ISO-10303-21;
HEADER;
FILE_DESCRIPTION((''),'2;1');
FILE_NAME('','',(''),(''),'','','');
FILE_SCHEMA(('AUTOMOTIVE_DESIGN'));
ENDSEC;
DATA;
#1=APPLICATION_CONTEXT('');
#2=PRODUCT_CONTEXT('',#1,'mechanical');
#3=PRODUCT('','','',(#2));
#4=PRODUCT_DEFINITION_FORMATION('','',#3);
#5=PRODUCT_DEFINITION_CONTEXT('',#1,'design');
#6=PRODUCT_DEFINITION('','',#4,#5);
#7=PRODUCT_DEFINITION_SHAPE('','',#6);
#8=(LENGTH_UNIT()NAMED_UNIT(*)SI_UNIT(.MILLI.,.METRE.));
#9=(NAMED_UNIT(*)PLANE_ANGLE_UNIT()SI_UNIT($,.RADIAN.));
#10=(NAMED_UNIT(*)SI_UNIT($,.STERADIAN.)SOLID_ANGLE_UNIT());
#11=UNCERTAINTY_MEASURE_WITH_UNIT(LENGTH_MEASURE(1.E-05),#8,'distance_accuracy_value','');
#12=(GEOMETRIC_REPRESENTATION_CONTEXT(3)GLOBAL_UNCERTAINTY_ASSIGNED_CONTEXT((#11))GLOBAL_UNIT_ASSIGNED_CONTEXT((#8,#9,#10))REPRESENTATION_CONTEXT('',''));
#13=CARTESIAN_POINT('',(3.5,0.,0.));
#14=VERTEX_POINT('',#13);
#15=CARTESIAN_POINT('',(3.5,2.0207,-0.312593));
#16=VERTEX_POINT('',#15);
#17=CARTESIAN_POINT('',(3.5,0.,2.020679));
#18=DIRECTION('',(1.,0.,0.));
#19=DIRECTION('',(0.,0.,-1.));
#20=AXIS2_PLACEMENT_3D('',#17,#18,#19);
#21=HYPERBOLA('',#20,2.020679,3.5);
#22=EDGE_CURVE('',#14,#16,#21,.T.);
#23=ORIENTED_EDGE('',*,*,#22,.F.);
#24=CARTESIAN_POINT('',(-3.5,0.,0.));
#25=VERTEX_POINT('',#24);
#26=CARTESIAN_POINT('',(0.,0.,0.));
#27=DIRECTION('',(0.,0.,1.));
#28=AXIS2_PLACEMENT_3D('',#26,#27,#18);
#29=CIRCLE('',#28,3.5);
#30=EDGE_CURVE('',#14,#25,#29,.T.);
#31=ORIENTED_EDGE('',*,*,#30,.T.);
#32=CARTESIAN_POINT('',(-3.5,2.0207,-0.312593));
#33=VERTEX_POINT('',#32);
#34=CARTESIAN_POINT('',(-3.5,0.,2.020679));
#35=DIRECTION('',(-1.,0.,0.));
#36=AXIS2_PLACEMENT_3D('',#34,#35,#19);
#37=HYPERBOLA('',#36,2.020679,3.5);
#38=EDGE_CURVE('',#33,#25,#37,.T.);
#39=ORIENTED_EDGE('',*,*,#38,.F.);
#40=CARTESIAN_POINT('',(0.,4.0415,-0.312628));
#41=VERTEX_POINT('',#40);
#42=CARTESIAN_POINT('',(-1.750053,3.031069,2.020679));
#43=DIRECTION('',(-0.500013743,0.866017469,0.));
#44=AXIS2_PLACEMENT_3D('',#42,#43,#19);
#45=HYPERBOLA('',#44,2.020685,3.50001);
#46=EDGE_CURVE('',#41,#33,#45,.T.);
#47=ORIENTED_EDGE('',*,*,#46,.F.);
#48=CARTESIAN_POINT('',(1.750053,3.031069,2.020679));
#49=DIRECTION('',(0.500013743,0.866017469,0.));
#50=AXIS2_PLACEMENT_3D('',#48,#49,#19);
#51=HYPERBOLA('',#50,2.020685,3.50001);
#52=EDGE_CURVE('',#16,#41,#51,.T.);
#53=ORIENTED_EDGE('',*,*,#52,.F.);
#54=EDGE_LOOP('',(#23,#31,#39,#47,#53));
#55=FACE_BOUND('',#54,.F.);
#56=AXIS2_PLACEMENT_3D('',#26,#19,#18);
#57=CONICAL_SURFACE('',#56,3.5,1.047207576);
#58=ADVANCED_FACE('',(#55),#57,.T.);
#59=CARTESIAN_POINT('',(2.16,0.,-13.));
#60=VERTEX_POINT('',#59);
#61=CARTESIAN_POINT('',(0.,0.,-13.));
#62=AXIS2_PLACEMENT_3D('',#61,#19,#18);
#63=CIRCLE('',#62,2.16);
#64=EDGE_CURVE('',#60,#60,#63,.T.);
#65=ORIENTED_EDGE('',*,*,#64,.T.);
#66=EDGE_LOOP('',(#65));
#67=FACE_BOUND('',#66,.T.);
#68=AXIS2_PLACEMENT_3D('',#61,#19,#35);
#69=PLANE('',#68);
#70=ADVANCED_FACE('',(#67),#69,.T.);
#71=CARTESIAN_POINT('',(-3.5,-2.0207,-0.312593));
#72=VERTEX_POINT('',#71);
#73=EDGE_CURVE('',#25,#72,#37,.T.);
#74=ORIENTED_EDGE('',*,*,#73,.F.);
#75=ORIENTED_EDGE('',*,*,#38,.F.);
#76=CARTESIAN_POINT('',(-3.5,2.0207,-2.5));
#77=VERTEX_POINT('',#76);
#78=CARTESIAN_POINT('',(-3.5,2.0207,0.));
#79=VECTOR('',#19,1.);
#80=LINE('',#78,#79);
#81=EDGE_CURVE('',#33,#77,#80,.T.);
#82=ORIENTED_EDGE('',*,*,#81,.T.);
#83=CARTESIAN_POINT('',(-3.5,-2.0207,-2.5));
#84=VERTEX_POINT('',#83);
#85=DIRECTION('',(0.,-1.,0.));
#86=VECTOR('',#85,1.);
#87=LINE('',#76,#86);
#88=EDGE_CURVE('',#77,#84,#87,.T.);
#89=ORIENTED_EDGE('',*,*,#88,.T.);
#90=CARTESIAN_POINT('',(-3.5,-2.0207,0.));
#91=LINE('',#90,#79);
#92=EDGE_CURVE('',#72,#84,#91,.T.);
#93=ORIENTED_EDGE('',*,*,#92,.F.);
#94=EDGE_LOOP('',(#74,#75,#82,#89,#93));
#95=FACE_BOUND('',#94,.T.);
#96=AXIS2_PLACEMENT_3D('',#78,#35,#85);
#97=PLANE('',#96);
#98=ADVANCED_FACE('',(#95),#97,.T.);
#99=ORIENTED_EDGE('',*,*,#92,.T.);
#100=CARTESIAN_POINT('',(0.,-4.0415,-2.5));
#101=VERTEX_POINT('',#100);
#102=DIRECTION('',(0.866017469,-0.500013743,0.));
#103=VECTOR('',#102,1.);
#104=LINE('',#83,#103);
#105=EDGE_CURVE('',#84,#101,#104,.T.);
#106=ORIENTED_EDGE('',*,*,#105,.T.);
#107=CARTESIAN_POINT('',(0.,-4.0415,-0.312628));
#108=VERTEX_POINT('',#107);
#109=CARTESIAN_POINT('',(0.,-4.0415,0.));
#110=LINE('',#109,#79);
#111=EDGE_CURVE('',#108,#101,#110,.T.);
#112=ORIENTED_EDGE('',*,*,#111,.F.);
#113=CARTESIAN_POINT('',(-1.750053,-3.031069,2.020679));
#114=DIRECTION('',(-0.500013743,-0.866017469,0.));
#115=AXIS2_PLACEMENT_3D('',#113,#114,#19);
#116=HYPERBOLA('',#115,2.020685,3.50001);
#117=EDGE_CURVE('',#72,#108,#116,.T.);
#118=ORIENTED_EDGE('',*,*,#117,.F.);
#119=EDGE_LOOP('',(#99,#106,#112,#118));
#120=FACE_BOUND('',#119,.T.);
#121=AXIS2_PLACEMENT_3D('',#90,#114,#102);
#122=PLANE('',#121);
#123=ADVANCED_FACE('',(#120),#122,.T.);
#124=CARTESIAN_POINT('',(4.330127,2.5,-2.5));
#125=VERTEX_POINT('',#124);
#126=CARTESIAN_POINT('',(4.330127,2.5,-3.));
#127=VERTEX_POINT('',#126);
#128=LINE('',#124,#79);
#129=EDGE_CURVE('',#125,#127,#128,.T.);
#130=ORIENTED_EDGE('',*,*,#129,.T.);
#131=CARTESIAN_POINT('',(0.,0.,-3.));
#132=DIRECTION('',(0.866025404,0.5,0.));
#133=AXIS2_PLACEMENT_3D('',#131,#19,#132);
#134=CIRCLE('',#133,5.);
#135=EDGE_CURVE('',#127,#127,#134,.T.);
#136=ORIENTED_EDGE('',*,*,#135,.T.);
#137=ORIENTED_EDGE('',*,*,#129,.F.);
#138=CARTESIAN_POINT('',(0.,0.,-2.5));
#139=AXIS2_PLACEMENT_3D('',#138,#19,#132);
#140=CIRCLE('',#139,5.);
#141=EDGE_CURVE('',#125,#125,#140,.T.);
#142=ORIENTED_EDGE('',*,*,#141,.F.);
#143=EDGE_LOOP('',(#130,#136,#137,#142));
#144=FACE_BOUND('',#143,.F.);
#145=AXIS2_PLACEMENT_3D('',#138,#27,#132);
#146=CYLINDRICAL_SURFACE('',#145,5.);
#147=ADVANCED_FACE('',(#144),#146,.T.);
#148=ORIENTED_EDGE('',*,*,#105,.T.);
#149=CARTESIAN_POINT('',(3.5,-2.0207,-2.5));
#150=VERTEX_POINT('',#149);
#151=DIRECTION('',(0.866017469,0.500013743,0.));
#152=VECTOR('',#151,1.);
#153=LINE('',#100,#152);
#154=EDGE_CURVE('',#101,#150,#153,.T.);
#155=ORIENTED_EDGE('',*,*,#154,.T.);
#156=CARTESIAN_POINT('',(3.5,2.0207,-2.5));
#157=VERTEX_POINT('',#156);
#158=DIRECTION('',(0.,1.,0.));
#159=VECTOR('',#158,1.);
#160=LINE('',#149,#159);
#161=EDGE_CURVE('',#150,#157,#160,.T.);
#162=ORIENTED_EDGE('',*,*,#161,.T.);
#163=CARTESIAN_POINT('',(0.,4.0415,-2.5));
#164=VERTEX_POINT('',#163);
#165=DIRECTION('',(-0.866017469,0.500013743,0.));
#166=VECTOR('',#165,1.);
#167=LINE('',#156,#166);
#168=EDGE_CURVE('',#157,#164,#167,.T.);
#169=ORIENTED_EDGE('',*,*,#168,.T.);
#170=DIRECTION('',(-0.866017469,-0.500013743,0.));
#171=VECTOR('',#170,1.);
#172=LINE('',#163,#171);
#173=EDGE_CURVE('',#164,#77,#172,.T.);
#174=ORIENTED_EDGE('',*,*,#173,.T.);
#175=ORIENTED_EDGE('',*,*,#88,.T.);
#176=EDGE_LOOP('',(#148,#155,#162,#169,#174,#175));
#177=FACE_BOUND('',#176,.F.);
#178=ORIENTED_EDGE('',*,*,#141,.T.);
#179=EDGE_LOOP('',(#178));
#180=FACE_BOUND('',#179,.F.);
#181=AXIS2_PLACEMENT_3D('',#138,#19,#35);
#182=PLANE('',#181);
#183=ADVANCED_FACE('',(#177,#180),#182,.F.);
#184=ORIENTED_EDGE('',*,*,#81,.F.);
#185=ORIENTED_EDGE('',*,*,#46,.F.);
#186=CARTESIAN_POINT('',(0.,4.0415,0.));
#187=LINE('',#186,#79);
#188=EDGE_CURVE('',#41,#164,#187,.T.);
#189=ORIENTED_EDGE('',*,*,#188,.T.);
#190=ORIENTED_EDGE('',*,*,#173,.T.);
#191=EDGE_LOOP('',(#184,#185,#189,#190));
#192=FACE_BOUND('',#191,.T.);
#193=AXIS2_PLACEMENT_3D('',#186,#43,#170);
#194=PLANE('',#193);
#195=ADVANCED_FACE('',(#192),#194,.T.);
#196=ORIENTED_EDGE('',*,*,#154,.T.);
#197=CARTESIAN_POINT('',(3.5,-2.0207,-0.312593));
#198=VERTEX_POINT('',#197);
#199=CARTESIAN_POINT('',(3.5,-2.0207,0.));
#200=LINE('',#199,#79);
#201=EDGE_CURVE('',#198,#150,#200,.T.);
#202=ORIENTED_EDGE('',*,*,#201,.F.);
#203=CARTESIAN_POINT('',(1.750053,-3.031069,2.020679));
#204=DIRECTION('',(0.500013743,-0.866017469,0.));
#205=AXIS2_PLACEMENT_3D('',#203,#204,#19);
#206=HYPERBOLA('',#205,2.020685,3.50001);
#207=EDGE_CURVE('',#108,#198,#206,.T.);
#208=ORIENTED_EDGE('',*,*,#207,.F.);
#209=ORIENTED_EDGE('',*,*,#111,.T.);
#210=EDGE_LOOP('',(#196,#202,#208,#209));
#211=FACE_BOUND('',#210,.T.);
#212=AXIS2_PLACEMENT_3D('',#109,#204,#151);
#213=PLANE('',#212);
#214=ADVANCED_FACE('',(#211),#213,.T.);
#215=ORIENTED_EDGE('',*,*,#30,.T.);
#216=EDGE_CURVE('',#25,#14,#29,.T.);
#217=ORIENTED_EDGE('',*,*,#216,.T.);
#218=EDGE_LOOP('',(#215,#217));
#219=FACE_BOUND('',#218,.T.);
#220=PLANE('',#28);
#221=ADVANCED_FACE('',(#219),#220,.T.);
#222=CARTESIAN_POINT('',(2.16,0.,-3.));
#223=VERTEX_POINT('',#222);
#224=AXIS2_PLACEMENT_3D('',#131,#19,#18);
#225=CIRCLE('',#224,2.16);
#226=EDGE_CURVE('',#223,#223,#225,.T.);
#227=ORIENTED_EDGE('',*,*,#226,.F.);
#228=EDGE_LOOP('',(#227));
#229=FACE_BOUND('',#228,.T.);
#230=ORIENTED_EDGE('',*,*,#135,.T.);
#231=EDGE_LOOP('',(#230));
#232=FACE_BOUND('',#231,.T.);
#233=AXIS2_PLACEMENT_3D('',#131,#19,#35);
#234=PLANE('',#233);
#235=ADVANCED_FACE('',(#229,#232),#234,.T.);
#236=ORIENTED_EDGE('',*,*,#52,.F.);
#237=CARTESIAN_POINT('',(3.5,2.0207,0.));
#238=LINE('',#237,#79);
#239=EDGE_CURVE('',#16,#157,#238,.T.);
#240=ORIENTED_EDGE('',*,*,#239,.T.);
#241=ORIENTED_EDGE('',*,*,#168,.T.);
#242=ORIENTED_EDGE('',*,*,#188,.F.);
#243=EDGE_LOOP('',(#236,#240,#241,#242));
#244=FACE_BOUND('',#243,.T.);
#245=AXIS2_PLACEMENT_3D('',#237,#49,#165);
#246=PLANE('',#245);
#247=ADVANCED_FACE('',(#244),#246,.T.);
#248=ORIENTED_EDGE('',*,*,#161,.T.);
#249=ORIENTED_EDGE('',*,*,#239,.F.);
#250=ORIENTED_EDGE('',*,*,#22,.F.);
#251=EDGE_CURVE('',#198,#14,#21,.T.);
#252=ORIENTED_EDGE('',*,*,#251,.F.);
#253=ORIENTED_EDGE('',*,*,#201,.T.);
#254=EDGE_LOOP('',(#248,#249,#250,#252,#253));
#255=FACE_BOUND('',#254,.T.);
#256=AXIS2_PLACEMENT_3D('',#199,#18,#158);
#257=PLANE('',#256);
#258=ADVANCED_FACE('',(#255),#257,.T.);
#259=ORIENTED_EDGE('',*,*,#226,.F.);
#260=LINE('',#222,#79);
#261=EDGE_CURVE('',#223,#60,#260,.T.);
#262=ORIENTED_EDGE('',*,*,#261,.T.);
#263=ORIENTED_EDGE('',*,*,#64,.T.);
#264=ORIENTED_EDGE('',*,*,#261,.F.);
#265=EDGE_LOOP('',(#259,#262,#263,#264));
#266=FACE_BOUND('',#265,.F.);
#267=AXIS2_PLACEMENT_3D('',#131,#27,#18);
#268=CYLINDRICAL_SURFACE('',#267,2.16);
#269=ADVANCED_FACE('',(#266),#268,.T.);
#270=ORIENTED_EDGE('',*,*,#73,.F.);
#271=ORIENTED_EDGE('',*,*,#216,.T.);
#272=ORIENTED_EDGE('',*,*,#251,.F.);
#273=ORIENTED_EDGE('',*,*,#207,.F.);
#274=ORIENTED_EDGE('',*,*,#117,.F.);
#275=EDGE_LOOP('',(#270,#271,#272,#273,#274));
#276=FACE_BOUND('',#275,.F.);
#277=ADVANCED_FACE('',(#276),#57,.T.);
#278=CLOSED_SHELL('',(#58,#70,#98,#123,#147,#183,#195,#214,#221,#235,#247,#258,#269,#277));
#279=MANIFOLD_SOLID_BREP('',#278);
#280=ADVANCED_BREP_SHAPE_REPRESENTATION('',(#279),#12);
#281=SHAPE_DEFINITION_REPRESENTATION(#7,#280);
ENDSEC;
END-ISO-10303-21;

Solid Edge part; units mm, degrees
sketch "Sketch1" plane through (0, 0, 0) normal (0, 0, 1) x (1, 0, 0)
  line L0 (-3.5, -2.0207) -> (0, -4.0415)
  line L1 (0, -4.0415) -> (3.5, -2.0207)
  line L2 (3.5, -2.0207) -> (3.5, 2.0207)
  line L3 (3.5, 2.0207) -> (0, 4.0415)
  line L4 (0, 4.0415) -> (-3.5, 2.0207)
  line L5 (-3.5, 2.0207) -> (-3.5, -2.0207)
extrude "Protrusion1" add sketch "Sketch1" against normal blind 2.5
sketch "Sketch2" plane through (0, 0, 0) normal (0, -1, 0) x (1, 0, 0)
  line L0 (5.4053, -1.1) -> (5.2199, 0)
  line L1 (5.2199, 0) -> (3.5, 0)
  line L2 (3.5, 0) -> (5.4053, -1.1)
revolve "RevolvedCutout1" cut sketch "Sketch2" angle 360 about axis through (0, 0, 0) along (0, 0, 1)
sketch "Sketch3" plane through (0, 0, -2.5) normal (0, 0, -1) x (0.866, 0.5, 0)
  circle A0 centre (0, 0) radius 5
extrude "ExtrudedProtrusion_3" add sketch "Sketch3" along normal blind 0.5
sketch "Sketch4" plane through (0, 0, -3) normal (0, 0, -1) x (1, 0, 0)
  circle A0 centre (0, 0) radius 2.16
extrude "ExtrudedProtrusion_4" add sketch "Sketch4" along normal blind 10
